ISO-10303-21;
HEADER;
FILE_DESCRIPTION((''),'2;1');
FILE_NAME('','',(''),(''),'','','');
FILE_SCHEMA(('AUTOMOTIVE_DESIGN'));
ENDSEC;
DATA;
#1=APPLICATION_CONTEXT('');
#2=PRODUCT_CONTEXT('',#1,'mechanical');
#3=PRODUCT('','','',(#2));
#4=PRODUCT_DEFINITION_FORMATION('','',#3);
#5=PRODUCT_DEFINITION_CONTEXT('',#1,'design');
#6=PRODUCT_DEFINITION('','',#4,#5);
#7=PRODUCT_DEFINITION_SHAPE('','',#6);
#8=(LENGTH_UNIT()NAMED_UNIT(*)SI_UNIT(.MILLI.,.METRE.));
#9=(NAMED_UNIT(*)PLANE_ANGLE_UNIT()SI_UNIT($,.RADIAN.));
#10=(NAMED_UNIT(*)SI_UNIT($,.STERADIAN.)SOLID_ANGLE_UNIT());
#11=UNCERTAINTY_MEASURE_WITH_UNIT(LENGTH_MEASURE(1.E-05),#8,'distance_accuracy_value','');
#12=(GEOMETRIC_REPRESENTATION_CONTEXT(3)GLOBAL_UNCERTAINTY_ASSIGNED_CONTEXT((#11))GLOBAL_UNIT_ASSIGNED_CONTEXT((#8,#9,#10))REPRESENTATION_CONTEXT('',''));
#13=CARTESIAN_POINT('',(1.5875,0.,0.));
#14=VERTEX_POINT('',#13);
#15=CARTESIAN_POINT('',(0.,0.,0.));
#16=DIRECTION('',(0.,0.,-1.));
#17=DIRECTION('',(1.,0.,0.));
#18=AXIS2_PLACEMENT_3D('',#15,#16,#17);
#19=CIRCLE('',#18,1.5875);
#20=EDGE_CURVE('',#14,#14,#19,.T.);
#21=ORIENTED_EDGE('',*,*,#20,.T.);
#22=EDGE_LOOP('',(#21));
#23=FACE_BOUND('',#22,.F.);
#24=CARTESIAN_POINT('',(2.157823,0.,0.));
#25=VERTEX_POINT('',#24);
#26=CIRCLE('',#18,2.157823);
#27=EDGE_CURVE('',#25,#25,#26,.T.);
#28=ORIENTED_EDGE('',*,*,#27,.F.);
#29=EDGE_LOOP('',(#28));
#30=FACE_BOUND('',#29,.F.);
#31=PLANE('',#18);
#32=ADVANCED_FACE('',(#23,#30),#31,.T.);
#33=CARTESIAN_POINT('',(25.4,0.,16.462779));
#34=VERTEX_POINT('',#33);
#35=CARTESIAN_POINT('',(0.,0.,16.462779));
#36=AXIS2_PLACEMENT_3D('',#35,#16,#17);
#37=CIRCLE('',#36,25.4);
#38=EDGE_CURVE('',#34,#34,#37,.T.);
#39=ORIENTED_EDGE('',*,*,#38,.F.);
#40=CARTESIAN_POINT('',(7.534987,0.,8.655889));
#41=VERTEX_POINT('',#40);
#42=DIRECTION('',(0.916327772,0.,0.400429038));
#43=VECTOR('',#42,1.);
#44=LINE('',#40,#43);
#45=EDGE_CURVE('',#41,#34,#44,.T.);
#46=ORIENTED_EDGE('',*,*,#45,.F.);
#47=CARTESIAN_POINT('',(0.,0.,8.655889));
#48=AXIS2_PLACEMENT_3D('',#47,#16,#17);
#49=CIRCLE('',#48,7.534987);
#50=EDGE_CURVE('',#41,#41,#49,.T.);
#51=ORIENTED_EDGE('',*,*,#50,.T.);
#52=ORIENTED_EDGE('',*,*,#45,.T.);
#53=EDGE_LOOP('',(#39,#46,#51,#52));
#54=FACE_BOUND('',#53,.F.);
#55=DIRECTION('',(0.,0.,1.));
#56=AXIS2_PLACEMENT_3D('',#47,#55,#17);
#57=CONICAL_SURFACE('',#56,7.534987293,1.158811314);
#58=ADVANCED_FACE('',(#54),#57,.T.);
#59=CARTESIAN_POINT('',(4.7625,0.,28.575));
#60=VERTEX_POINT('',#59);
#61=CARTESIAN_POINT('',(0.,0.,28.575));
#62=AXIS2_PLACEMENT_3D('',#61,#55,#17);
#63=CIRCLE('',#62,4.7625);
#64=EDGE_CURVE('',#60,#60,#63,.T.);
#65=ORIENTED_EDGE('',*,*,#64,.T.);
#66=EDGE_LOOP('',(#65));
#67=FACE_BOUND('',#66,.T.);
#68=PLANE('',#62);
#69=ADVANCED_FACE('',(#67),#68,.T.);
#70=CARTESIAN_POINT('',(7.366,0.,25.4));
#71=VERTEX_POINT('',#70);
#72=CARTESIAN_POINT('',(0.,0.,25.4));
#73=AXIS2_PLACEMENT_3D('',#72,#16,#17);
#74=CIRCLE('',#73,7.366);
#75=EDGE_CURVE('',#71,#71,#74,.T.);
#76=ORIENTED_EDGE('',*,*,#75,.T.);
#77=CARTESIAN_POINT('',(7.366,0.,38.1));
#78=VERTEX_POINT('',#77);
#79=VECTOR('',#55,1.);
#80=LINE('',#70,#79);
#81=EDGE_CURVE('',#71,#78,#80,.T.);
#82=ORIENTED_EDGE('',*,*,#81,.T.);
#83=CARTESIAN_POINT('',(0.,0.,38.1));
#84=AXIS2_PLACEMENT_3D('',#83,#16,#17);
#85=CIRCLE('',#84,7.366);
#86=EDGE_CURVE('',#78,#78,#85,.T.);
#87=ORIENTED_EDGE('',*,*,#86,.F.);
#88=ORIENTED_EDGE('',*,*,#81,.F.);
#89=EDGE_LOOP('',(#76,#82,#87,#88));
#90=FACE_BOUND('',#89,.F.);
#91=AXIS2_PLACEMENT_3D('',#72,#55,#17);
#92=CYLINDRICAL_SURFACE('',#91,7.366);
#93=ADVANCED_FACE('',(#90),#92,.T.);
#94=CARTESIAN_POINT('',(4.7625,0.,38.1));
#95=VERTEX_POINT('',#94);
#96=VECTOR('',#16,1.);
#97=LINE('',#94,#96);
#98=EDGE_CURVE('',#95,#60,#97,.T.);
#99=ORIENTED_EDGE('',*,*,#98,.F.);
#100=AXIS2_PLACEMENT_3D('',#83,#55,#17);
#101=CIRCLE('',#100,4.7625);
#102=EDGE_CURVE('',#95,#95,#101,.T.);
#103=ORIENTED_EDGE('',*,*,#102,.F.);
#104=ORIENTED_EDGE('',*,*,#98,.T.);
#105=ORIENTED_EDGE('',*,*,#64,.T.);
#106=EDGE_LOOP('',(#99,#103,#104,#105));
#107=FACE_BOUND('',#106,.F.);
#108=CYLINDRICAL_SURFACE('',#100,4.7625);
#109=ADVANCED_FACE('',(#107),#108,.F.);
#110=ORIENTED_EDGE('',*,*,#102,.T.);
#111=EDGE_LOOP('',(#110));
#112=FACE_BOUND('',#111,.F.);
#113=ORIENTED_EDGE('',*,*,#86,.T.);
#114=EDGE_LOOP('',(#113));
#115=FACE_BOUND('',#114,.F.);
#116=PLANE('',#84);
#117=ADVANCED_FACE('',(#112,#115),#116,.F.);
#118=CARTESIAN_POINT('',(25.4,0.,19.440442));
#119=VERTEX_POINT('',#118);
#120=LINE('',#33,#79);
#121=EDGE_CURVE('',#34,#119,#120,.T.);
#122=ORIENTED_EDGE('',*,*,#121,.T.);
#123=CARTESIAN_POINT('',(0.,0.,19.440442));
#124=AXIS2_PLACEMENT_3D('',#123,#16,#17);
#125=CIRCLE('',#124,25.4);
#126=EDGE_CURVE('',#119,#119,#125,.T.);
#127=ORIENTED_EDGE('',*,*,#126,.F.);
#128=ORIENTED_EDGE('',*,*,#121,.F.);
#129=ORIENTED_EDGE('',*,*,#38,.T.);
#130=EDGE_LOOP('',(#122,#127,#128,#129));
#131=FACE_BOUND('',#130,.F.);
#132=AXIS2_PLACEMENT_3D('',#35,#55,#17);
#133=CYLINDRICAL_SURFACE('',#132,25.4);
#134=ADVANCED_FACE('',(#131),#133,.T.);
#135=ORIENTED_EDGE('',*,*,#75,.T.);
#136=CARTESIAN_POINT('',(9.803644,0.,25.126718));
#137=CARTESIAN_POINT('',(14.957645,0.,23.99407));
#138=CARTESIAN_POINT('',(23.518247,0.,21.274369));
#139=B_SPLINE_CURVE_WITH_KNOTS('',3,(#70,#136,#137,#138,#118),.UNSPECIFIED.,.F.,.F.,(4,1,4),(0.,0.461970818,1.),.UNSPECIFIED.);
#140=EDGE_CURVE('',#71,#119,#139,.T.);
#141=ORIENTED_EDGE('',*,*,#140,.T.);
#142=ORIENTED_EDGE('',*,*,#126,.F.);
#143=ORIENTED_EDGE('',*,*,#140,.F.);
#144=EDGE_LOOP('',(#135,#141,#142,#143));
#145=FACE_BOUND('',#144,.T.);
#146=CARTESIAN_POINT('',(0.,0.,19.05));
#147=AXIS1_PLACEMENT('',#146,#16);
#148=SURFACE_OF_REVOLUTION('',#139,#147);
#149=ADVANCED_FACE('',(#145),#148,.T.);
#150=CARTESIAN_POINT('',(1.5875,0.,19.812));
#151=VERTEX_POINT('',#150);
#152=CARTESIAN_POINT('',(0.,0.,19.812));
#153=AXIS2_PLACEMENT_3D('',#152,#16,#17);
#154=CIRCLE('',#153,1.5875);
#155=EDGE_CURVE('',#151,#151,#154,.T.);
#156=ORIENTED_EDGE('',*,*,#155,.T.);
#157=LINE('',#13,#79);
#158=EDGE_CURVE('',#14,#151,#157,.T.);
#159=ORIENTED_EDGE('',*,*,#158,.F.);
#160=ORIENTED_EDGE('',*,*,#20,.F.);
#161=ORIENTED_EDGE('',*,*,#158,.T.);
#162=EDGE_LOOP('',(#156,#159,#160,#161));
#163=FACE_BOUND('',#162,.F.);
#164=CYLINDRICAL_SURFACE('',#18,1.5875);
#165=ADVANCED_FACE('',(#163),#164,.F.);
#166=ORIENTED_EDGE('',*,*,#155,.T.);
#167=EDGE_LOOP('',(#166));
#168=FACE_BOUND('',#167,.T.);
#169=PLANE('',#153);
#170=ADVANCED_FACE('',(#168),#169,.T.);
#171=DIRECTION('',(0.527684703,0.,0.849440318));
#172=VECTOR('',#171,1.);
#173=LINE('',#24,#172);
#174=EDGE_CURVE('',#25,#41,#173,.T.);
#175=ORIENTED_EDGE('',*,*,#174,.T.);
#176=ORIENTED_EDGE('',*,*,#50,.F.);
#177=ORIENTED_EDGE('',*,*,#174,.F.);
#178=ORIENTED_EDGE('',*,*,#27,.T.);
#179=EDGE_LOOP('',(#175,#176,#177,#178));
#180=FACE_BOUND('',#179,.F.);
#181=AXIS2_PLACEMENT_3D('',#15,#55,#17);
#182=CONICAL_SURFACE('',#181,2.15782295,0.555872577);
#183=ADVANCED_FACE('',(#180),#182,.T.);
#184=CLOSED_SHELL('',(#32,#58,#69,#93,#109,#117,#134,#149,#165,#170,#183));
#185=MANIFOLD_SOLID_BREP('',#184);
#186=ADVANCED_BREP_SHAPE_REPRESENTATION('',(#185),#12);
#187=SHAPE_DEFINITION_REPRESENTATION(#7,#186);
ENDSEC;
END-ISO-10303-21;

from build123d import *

# Parameters (mm, degrees)
F2_R     = 4.7625
F3_DEPTH = 9.525
F4_R     = 1.5875
F5_DEPTH = 19.812


with BuildPart() as f1:
    # F0 (on Front) → F1 (revolve)
    with BuildSketch(Plane.XZ):
        with BuildLine():
            add(Edge.make_bspline(
                [(7.366, 25.4), (9.8036438765, 25.126718384), (14.9576453354, 23.9940702967), (23.5182465885, 21.2743691277), (25.4, 19.4404423237)],
                knots=[0, 0, 0, 0, 0.4619708182, 1, 1, 1, 1], degree=3))
            Line((7.366, 25.4), (7.366, 38.1))
            Line((7.366, 38.1), (0, 38.1))
            Line((0, 38.1), (0, 0))
            Line((0, 0), (2.1578229498, 0))
            Line((2.1578229498, 0), (7.5349872932, 8.6558889598))
            Line((7.5349872932, 8.6558889598), (25.4, 16.4627786726))
            Line((25.4, 16.4627786726), (25.4, 19.4404423237))
        make_face()
    revolve(axis=Axis((0, 0, 19.05), (0, 0, -1)))

    # F2 (on face) → F3 (cut)
    with BuildSketch(Plane.XY.offset(38.1)):
        Circle(F2_R)
    extrude(amount=-F3_DEPTH, mode=Mode.SUBTRACT)

    # F4 (on face) → F5 (cut)
    with BuildSketch(Plane(origin=(0, 0, 0), x_dir=(1, 0, 0), z_dir=(0, 0, -1))):
        Circle(F4_R)
    extrude(amount=-F5_DEPTH, mode=Mode.SUBTRACT)


solid = f1.part
